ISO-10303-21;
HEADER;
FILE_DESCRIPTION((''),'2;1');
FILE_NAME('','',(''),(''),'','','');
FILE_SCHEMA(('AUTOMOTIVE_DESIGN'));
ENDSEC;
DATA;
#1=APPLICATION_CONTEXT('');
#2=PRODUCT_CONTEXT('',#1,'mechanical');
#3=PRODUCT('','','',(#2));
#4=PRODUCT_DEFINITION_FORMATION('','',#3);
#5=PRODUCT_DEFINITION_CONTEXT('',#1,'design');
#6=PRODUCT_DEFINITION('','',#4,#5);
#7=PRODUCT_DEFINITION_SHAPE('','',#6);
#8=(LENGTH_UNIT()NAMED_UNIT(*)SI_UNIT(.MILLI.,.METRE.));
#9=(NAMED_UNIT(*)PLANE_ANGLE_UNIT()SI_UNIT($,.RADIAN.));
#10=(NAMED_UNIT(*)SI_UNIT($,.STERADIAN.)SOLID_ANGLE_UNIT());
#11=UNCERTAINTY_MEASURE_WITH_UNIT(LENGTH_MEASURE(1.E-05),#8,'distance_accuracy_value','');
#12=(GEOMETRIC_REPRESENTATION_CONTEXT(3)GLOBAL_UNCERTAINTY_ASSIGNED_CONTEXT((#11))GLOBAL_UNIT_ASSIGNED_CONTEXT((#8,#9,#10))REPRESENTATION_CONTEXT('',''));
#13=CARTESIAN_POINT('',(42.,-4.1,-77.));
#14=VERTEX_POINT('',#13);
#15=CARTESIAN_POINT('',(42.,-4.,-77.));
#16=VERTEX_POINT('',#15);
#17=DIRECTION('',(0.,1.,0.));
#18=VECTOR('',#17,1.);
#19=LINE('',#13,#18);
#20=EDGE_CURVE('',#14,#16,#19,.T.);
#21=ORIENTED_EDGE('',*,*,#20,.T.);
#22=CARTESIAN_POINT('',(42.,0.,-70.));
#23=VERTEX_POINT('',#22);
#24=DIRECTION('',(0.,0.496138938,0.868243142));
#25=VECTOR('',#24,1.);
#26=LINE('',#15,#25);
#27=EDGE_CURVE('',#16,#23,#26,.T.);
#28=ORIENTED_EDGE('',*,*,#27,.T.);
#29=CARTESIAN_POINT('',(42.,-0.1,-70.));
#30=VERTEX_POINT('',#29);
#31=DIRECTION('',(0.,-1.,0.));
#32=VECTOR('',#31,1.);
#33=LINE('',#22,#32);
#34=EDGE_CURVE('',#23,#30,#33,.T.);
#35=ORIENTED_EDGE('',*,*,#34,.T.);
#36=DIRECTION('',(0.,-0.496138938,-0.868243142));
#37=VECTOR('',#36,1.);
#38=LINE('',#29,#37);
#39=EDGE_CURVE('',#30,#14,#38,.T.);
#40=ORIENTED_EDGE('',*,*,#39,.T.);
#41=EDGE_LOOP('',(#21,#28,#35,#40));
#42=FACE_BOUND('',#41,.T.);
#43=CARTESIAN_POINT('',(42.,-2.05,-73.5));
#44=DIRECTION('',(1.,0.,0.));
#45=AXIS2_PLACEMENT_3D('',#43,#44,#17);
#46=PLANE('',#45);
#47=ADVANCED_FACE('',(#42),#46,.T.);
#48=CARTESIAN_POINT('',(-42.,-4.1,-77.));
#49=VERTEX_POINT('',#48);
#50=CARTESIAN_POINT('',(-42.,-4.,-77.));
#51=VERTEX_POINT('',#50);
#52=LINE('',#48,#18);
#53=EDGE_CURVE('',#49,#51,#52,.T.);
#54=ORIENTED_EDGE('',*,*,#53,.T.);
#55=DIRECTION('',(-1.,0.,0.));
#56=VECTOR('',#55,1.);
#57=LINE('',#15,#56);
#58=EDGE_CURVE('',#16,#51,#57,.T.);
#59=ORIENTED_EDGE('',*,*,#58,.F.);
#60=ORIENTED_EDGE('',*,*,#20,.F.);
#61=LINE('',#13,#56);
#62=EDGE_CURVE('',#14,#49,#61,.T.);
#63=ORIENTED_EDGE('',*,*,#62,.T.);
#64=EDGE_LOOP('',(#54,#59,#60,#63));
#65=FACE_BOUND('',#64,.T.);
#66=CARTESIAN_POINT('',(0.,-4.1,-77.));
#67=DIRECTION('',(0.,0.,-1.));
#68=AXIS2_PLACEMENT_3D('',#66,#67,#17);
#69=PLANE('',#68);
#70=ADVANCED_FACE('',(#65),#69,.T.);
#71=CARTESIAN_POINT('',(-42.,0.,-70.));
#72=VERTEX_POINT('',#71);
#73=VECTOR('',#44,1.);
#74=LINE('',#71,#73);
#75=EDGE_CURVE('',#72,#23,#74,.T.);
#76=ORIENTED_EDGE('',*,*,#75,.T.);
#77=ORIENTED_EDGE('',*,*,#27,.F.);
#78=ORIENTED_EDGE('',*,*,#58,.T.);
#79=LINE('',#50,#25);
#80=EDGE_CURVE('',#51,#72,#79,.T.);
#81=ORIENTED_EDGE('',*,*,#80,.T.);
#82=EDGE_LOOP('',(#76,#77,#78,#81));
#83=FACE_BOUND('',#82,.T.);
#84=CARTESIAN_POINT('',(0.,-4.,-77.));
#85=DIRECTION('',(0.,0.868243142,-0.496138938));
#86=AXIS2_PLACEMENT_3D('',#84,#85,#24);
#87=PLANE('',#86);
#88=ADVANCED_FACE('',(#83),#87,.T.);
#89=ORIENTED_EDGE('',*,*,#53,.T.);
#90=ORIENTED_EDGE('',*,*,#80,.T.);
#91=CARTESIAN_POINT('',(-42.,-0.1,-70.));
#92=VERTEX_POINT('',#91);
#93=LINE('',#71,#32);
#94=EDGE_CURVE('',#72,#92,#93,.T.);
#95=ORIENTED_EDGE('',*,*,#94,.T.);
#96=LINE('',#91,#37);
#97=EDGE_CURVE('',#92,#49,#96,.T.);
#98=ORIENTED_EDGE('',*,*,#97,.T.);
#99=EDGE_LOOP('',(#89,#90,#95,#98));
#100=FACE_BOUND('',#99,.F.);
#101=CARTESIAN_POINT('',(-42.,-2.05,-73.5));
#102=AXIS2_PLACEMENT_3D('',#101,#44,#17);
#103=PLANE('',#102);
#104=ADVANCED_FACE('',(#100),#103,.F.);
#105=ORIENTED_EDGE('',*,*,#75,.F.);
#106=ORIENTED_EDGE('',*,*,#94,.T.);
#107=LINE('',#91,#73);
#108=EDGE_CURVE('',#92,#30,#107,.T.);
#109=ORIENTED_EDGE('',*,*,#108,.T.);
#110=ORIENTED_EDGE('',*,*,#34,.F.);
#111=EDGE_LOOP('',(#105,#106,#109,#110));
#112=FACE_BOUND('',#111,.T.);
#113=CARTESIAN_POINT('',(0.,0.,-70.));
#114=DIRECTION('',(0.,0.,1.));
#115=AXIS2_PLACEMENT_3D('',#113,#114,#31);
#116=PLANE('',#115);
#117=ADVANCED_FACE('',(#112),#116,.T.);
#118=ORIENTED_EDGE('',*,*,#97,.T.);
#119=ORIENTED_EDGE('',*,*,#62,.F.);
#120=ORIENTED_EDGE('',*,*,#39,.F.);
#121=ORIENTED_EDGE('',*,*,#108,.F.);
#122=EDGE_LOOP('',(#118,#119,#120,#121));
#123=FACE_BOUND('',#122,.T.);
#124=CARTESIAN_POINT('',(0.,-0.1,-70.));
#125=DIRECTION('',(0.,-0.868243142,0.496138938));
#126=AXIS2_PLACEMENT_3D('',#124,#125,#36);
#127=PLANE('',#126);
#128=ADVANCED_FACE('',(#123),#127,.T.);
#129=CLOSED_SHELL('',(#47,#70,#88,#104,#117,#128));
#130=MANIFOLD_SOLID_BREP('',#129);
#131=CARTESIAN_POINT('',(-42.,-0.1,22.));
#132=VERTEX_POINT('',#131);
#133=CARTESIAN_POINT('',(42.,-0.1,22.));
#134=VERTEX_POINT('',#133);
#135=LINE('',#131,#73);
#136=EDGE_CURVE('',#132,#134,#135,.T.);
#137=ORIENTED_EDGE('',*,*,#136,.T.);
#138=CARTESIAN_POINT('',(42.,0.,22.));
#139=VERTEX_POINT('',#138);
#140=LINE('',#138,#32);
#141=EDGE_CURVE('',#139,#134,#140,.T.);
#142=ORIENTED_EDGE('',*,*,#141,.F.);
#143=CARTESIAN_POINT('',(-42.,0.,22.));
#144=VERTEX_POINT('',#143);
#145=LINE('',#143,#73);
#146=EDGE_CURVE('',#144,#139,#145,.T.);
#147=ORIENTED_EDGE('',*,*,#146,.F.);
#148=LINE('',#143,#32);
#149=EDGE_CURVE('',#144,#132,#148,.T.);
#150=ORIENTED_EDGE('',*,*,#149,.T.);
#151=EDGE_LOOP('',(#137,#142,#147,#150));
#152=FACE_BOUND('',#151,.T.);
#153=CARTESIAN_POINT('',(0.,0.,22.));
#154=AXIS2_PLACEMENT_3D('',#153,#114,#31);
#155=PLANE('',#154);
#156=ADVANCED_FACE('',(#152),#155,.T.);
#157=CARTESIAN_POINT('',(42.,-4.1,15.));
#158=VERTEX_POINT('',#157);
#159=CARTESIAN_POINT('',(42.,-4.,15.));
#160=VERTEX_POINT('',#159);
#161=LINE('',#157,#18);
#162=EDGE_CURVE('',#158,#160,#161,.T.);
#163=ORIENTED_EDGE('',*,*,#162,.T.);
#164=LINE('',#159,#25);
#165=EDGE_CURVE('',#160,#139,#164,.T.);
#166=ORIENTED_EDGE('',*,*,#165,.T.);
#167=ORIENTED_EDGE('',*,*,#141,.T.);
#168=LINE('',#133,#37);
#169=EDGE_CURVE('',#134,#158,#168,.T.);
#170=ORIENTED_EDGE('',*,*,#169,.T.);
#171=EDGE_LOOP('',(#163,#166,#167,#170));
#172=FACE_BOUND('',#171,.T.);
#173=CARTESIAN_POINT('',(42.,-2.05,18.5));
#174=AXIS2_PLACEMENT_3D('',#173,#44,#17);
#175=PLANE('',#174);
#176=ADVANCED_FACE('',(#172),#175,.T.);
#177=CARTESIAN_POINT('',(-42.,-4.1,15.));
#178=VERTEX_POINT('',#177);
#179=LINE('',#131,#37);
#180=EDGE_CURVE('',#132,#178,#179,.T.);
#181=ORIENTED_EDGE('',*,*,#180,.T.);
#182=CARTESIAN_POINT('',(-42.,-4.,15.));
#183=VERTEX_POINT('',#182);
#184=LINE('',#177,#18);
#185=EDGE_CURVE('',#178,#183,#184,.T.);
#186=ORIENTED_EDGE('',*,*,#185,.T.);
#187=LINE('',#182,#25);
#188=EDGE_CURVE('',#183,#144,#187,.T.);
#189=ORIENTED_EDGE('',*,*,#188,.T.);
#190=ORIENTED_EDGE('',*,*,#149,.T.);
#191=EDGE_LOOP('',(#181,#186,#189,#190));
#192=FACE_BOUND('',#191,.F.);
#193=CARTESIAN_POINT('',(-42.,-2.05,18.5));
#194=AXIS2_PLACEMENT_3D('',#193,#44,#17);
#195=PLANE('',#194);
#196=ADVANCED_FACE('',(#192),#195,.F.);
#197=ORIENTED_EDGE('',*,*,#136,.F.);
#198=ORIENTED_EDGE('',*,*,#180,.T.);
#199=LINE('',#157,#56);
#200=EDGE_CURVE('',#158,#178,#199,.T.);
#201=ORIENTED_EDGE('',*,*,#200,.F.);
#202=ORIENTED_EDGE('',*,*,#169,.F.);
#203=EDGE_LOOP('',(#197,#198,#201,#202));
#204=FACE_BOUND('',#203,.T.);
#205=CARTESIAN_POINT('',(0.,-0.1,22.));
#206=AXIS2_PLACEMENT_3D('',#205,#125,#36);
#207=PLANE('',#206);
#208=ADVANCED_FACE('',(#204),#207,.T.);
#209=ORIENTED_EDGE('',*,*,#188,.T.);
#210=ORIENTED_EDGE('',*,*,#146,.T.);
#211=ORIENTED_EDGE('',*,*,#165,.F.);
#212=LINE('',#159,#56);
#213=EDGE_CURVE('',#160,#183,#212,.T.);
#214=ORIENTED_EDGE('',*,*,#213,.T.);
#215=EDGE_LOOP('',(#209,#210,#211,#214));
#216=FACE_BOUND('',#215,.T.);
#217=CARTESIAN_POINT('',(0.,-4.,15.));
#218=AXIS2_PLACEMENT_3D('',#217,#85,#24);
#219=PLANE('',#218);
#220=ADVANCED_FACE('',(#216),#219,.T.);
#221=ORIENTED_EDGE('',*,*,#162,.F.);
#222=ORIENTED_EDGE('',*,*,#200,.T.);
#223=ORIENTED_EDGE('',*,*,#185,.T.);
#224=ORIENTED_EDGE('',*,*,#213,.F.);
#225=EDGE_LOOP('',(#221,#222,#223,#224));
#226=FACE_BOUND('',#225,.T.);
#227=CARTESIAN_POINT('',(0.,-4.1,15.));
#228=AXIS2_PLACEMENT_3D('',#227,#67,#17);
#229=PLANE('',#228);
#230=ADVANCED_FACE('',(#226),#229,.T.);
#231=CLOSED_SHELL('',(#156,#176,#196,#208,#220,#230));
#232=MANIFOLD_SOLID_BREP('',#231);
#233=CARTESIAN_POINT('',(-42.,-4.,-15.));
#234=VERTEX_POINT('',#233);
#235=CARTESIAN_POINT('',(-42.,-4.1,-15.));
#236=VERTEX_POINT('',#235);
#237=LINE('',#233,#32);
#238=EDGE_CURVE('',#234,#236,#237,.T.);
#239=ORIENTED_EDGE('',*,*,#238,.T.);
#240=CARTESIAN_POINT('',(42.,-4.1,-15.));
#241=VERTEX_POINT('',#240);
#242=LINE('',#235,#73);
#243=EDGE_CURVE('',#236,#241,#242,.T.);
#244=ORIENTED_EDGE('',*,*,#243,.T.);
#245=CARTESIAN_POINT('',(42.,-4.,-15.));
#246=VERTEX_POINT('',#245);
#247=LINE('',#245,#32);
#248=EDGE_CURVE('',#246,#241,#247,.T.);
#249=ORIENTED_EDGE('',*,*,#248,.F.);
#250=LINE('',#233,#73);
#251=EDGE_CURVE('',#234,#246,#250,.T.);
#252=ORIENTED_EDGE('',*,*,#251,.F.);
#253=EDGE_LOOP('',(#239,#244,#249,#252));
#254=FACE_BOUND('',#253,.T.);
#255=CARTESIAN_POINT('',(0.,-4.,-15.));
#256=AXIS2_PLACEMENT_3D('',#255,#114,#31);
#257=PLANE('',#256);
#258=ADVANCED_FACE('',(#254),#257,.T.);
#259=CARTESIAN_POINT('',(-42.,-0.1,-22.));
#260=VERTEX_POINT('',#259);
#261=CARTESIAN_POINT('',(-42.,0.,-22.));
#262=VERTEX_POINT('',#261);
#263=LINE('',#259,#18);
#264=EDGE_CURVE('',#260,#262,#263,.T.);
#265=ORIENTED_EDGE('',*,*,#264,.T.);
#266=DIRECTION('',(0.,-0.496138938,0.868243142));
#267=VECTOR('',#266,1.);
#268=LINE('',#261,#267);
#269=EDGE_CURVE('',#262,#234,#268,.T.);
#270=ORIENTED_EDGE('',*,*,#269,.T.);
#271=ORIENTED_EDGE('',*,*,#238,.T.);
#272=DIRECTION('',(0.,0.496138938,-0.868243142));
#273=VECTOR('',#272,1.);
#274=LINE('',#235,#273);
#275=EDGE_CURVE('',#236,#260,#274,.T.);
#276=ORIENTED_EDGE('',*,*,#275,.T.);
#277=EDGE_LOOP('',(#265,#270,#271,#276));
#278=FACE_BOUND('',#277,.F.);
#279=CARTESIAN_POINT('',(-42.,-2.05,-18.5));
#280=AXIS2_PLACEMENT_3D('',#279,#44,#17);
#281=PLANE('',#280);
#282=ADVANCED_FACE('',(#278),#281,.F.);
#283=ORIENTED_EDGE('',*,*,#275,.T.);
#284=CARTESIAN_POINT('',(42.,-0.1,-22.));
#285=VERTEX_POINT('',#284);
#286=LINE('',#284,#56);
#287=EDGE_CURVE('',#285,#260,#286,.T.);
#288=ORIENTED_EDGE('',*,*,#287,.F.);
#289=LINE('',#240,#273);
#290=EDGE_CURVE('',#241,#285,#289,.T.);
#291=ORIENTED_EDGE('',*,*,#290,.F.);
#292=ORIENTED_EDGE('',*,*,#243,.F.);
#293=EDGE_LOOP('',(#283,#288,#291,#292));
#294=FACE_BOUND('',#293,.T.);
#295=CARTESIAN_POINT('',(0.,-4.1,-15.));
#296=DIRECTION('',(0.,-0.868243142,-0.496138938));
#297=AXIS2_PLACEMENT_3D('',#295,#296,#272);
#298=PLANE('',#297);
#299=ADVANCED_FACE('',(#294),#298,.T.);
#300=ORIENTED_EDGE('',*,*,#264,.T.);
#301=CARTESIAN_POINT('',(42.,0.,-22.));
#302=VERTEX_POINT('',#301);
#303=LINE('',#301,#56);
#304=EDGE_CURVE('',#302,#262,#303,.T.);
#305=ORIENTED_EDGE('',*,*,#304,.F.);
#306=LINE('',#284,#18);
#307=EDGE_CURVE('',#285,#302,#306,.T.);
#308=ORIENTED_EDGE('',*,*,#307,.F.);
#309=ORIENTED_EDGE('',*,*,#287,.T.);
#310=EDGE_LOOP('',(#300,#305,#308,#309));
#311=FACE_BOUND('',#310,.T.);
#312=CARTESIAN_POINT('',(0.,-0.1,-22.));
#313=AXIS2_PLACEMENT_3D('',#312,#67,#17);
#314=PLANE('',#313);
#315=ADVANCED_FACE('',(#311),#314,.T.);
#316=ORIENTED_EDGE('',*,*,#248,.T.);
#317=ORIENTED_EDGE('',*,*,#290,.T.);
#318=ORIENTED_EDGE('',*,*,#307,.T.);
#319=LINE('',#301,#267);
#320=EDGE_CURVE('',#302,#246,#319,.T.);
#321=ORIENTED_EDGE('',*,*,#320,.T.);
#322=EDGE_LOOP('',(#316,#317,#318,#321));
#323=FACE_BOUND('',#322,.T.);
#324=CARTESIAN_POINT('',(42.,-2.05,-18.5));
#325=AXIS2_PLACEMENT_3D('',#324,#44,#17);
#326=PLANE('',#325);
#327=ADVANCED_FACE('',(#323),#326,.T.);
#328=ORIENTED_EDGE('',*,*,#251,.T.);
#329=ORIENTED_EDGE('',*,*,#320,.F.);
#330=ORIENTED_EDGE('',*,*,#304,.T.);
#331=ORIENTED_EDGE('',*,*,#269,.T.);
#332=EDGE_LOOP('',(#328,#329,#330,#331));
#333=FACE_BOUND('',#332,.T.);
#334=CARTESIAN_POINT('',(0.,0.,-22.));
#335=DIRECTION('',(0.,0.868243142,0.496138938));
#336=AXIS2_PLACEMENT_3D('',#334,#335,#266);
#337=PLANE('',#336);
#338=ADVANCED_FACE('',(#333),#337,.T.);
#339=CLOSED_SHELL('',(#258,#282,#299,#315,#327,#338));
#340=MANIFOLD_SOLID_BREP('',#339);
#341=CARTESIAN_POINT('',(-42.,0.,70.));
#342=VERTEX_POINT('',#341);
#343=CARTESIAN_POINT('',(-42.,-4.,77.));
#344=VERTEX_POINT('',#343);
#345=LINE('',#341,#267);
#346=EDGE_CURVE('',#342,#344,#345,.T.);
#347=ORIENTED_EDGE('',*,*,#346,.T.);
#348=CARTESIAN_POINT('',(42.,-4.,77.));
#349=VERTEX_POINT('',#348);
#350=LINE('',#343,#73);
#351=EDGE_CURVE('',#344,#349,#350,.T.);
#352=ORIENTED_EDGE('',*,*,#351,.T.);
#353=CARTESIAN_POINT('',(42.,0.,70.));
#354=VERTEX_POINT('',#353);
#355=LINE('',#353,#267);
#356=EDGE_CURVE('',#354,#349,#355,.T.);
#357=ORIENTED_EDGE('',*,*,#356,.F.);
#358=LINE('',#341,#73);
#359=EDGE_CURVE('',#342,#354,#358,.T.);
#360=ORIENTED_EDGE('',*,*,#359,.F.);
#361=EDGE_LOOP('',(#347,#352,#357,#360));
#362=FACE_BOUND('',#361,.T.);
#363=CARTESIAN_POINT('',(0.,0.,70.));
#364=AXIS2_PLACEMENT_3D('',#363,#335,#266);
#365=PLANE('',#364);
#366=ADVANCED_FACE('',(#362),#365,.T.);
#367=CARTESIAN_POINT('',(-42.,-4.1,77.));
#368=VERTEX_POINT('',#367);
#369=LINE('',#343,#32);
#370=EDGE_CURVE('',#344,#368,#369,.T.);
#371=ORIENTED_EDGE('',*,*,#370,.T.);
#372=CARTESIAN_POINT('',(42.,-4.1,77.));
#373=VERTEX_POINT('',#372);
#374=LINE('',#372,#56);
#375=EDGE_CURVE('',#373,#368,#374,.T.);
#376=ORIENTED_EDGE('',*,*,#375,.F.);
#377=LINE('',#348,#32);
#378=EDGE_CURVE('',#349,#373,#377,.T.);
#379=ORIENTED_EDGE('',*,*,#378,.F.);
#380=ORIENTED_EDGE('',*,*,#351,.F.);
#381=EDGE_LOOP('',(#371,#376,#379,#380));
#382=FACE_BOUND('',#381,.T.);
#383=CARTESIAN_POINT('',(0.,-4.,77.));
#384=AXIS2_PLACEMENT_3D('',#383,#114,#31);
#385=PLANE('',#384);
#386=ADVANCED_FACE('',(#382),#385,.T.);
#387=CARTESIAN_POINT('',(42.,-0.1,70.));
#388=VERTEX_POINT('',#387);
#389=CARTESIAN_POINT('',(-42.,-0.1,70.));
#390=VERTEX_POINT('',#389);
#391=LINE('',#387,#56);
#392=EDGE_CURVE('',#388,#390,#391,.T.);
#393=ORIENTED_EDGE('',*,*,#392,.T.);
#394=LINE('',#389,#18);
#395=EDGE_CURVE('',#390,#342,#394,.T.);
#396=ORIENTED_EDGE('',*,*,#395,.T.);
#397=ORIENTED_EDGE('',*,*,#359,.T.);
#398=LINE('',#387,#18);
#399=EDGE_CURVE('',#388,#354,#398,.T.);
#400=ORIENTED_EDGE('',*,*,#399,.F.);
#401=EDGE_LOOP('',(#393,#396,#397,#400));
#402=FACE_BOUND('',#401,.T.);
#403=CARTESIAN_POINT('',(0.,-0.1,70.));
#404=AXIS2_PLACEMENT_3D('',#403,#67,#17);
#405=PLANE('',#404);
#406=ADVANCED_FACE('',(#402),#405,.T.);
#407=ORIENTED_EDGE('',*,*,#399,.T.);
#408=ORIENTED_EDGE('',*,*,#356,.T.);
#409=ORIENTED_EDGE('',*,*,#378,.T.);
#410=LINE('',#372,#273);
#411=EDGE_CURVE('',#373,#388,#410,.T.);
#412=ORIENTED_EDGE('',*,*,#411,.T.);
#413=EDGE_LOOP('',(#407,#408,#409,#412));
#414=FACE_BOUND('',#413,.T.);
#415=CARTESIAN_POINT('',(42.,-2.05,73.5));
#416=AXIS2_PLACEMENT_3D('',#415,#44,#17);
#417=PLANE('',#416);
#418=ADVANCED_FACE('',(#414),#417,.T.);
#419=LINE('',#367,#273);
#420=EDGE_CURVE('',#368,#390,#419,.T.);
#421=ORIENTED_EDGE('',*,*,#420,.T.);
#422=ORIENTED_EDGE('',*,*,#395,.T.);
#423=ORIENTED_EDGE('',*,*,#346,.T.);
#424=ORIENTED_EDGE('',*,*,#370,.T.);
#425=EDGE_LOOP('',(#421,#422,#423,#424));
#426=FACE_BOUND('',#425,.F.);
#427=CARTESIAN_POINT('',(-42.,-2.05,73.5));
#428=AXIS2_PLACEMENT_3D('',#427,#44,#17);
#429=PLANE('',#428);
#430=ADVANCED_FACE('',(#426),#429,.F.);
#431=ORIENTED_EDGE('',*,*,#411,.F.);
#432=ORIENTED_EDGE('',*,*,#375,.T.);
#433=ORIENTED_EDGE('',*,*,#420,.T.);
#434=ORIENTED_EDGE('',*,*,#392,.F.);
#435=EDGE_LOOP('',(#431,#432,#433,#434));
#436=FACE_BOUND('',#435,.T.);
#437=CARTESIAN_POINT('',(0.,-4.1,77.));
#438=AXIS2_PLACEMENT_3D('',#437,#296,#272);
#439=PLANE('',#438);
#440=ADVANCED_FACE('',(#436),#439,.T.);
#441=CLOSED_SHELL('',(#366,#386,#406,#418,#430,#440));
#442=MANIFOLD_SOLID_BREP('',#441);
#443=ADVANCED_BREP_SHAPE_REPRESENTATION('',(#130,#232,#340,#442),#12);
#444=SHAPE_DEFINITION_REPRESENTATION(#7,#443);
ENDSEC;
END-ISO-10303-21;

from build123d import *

# Parameters (mm, degrees)
F1_DEPTH = 42


with BuildPart() as f1:
    # F0 (on Right) → F1 (new body, symmetric)
    with BuildSketch(Plane.YZ):
        Polygon((0, -22), (-4, -15), (-4.1, -15), (-0.1, -22), align=None)
    extrude(amount=F1_DEPTH, both=True)


with BuildPart() as f1b:
    # F0 (on Right) → F1, piece 2 (new body, symmetric)
    with BuildSketch(Plane.YZ):
        Polygon((-4, 15), (0, 22), (-0.1, 22), (-4.1, 15), align=None)
    extrude(amount=F1_DEPTH, both=True)


with BuildPart() as f1c:
    # F0 (on Right) → F1, piece 3 (new body, symmetric)
    with BuildSketch(Plane.YZ):
        Polygon((-0.1, 70), (0, 70), (-4, 77), (-4.1, 77), align=None)
    extrude(amount=F1_DEPTH, both=True)


with BuildPart() as f1d:
    # F0 (on Right) → F1, piece 4 (new body, symmetric)
    with BuildSketch(Plane.YZ):
        Polygon((-4, -77), (0, -70), (-0.1, -70), (-4.1, -77), align=None)
    extrude(amount=F1_DEPTH, both=True)


solid = Compound([f1.part, f1b.part, f1c.part, f1d.part])
